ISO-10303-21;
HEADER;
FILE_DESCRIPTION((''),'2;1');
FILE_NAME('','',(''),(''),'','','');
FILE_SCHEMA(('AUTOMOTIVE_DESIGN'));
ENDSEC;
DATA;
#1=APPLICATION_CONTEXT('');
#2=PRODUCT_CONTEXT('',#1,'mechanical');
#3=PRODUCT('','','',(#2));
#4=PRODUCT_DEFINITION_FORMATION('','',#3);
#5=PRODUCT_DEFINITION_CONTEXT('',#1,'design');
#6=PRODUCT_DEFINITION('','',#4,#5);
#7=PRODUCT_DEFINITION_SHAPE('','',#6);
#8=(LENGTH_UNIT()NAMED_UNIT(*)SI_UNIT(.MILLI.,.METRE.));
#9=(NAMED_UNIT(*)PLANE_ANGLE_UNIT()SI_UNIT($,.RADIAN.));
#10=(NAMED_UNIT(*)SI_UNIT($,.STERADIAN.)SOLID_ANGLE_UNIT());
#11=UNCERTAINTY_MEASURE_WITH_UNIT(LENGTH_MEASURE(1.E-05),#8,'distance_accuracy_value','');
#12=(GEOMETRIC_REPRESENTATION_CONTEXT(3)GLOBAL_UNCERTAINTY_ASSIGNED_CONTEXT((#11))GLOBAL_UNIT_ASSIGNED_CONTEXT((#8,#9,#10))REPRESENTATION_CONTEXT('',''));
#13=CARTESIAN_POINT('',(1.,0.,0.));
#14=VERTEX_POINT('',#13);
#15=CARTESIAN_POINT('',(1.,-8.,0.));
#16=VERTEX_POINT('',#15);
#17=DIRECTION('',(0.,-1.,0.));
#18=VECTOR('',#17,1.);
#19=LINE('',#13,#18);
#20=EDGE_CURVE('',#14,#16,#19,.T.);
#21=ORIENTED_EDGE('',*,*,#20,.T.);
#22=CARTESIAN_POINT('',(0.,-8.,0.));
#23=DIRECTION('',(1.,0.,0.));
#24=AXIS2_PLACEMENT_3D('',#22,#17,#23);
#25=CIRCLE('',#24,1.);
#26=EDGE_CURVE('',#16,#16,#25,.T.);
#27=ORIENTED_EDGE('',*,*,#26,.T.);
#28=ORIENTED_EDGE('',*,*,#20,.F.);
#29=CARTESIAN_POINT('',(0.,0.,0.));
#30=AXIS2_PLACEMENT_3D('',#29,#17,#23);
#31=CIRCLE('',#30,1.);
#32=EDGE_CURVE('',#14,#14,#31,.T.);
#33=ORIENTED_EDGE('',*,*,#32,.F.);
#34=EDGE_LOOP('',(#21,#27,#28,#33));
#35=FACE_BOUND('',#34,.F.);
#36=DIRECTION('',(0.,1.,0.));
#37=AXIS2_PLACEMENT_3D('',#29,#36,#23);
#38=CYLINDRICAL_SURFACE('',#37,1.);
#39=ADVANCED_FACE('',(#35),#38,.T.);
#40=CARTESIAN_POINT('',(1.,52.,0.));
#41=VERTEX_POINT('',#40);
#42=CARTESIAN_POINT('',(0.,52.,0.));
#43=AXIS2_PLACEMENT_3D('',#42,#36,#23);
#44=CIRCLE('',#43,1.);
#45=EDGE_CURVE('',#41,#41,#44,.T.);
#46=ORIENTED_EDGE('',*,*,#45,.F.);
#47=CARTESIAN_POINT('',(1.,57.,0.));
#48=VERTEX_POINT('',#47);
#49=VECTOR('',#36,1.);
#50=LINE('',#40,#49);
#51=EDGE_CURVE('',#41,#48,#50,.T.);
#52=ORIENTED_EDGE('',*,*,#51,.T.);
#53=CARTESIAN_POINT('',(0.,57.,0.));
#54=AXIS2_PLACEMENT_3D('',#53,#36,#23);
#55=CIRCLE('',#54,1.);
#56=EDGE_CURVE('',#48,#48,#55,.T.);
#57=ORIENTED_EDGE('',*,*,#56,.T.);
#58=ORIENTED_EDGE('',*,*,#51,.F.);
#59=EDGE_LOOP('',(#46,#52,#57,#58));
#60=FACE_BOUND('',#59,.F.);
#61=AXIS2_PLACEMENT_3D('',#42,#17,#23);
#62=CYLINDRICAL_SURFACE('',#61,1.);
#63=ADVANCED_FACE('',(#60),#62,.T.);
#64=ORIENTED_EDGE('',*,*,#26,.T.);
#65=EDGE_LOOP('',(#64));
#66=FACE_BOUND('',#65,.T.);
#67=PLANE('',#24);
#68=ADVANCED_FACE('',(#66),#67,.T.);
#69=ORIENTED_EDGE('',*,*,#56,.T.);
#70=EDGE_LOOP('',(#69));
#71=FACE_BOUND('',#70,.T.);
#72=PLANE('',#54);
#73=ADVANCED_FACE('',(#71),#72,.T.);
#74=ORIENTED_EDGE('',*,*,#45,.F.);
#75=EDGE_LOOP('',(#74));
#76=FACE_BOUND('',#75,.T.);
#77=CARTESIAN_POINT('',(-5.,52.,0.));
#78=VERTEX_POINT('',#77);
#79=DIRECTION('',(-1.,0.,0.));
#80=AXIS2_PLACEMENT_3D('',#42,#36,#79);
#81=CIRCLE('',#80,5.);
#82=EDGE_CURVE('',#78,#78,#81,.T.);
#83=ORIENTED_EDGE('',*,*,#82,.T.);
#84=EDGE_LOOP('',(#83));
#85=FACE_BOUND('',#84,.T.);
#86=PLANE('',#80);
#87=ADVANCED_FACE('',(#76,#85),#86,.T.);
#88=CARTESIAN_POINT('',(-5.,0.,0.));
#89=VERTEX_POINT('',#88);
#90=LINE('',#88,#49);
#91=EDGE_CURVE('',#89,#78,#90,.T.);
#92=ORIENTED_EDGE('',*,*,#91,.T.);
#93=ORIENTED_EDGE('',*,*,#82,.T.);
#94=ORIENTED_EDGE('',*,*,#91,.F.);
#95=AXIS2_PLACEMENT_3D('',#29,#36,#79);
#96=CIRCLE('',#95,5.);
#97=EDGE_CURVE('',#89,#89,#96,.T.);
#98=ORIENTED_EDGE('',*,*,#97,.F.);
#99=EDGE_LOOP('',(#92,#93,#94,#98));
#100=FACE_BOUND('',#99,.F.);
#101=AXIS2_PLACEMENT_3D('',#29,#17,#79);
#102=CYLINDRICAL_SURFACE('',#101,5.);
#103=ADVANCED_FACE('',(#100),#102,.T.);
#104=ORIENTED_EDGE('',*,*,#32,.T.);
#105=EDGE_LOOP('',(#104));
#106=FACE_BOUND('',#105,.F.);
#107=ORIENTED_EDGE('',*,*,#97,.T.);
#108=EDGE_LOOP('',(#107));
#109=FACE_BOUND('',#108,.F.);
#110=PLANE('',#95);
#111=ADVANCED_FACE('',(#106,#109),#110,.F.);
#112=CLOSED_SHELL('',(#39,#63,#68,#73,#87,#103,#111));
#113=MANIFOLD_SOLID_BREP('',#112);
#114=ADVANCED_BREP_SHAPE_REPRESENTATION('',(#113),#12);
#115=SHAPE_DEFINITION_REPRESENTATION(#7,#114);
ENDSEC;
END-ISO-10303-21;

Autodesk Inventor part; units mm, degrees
ref_plane "YZ Plane" through (0, 0, 0) normal (1, 0, 0) x (0, 1, 0)
ref_plane "XZ Plane" through (0, 0, 0) normal (0, 1, 0) x (-1, 0, 0)
ref_plane "XY Plane" through (0, 0, 0) normal (0, 0, 1) x (1, 0, 0)
sketch "Sketch1" plane through (0, 0, 0) normal (0, 1, 0) x (-1, 0, 0)
  circle A0 centre (0, 0) radius 5
  dimension "d0" = 10
extrude "Extrusion1" add sketch "Sketch1" along normal blind 52
sketch "Sketch2" plane through (0, 52, 0) normal (0, 1, 0) x (1, 0, 0)
  circle A0 centre (0, 0) radius 1
  dimension "d3" = 2
extrude "Extrusion2" add sketch "Sketch2" along normal blind 5
sketch "Sketch3" plane through (0, 0, 0) normal (0, -1, 0) x (1, 0, 0)
  circle A0 centre (0, 0) radius 1
  dimension "d6" = 2
extrude "Extrusion3" add sketch "Sketch3" along normal blind 8
properties part number "PseudoRoller"
